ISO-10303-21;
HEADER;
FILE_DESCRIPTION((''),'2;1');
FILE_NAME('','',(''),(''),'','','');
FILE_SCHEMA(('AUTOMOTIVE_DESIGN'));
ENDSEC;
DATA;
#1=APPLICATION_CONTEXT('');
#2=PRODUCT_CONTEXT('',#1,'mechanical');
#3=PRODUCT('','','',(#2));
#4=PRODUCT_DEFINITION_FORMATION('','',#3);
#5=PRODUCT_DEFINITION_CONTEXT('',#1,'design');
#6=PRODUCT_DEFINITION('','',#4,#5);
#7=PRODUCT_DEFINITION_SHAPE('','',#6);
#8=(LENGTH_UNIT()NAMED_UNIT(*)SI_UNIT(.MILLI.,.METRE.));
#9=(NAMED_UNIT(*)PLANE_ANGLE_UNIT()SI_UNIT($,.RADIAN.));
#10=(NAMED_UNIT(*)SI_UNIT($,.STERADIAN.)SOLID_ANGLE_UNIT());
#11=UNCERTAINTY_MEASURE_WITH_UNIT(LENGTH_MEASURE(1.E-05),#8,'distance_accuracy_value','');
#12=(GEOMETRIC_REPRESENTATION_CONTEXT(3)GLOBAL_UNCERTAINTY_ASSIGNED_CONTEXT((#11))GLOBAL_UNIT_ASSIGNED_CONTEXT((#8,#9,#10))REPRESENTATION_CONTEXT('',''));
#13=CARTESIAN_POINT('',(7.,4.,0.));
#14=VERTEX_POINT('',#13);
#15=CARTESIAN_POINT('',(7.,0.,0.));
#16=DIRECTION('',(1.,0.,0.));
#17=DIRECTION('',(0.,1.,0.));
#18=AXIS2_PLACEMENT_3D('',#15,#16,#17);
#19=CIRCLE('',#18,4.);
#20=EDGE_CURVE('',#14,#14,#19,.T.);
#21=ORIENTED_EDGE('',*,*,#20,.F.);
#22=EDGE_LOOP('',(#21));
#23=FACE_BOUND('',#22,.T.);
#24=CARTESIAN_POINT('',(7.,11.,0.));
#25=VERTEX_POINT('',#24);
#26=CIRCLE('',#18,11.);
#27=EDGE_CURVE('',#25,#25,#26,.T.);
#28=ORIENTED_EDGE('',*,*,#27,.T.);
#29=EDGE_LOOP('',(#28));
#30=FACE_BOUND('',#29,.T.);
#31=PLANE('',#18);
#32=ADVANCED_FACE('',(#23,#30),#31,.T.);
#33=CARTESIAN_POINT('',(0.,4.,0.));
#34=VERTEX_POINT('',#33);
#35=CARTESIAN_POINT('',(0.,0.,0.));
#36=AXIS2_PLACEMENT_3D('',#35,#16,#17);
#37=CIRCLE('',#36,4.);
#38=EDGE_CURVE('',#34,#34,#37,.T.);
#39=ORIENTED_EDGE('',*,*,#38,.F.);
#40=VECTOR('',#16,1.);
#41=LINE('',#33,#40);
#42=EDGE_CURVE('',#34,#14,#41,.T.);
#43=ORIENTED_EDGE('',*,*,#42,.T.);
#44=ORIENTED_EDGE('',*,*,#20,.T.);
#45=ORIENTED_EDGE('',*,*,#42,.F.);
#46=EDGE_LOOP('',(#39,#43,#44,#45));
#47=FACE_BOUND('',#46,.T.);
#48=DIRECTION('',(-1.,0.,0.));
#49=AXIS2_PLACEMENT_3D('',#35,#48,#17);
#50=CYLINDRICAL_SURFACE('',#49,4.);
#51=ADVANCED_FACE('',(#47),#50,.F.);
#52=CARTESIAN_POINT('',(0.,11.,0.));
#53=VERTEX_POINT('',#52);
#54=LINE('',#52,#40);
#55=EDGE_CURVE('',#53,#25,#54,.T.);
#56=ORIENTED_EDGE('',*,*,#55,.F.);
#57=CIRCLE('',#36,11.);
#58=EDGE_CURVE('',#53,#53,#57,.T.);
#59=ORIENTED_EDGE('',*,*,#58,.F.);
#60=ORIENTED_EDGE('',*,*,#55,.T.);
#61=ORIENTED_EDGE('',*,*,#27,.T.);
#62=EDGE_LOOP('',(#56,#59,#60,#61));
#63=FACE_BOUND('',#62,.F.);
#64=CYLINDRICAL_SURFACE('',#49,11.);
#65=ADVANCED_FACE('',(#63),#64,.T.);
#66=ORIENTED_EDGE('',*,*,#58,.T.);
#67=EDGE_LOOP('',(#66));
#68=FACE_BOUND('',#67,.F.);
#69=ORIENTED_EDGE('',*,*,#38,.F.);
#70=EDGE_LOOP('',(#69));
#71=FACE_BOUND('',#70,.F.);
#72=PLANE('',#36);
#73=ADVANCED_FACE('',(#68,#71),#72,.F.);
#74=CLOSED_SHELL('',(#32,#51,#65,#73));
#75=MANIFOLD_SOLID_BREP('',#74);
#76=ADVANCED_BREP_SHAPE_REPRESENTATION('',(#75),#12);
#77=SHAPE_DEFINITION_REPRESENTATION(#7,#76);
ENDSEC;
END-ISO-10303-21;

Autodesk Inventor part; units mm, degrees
ref_plane "YZ Plane" through (0, 0, 0) normal (1, 0, 0) x (0, 1, 0)
ref_plane "XZ Plane" through (0, 0, 0) normal (0, 1, 0) x (-1, 0, 0)
ref_plane "XY Plane" through (0, 0, 0) normal (0, 0, 1) x (1, 0, 0)
sketch "Sketch1" plane through (0, 0, 0) normal (1, 0, 0) x (0, 1, 0)
  circle A0 centre (0, 0) radius 4
  circle A1 centre (0, 0) radius 11
  dimension "d0" = 8
  dimension "d1" = 22
extrude "Extrusion1" add sketch "Sketch1" along normal blind 7
properties part number "608"
